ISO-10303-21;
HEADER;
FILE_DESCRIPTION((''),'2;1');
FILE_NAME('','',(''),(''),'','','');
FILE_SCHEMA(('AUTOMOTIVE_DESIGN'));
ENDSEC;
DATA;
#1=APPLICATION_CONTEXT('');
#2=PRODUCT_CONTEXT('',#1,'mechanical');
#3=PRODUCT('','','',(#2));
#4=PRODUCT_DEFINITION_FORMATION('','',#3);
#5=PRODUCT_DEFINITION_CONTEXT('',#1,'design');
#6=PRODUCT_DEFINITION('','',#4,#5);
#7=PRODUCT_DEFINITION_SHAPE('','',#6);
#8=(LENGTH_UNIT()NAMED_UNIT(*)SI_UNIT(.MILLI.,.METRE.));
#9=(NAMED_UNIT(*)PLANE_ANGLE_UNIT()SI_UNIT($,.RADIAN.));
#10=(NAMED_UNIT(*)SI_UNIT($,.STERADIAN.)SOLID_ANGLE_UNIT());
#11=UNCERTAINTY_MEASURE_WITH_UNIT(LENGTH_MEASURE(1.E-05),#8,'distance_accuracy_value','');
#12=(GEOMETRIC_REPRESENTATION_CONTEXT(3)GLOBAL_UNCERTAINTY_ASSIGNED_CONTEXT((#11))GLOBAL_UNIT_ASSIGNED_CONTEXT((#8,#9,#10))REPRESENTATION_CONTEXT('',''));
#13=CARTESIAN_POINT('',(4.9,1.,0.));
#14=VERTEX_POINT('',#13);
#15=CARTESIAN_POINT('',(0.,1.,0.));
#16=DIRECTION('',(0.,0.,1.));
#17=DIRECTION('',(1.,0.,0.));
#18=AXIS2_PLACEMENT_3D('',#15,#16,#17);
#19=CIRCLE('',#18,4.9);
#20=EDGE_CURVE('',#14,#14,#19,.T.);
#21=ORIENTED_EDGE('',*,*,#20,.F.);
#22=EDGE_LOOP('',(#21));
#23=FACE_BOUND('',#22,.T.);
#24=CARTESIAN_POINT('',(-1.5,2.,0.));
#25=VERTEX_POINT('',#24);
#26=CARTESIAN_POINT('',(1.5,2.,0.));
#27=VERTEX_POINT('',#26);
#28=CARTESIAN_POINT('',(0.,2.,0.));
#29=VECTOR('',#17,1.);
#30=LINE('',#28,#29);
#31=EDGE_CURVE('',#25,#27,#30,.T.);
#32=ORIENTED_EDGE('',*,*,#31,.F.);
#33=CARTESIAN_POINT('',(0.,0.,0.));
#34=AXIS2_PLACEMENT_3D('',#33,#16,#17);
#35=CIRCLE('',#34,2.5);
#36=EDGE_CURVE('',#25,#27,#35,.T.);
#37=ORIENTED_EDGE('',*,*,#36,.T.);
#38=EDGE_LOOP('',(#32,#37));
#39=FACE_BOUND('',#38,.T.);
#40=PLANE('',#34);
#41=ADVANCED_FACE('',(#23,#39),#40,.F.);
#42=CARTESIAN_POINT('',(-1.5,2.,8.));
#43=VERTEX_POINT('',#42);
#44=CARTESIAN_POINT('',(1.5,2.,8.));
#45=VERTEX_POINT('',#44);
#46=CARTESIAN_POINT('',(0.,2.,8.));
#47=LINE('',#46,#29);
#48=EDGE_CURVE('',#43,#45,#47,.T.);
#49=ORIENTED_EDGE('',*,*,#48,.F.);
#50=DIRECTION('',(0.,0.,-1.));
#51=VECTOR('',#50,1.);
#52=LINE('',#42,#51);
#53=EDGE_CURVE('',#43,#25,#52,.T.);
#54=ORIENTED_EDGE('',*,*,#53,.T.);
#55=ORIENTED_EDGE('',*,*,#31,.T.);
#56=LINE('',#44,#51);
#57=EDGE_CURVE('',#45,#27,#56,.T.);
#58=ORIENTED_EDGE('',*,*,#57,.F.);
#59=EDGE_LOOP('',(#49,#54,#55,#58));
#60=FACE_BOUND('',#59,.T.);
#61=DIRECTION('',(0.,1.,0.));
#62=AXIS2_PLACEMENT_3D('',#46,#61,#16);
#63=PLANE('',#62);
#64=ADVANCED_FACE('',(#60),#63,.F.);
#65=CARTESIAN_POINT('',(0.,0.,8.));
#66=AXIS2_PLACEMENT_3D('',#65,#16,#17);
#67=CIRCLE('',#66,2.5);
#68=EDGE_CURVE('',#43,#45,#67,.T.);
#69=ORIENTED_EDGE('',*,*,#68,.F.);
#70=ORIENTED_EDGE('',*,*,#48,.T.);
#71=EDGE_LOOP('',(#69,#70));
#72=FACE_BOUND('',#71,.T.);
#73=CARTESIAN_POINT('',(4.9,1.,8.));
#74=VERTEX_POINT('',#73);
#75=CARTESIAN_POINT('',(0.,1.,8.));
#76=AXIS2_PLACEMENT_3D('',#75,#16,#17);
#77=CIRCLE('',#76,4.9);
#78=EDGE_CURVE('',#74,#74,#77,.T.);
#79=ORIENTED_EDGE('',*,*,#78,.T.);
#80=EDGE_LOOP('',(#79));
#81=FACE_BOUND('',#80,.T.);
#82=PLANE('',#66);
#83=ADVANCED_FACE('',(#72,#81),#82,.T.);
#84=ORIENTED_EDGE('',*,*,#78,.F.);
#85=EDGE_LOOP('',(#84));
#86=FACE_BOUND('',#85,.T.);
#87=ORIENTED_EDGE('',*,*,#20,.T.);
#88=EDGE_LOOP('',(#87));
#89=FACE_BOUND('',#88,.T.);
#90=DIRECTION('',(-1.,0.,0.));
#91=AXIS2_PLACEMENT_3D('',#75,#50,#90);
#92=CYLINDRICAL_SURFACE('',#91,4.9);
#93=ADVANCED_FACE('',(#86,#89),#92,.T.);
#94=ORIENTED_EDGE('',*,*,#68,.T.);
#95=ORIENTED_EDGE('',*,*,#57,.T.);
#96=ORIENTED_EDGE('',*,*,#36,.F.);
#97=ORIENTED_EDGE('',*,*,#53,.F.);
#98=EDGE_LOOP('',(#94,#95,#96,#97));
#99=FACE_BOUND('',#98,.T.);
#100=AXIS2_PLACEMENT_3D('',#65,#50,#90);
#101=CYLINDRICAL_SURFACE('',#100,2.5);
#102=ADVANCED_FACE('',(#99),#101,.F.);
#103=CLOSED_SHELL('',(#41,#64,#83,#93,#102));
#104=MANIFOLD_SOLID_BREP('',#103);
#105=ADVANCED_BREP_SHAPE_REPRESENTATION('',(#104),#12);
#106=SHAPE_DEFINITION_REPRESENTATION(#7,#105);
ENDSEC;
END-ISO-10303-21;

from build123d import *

# Parameters (mm, degrees)
ESQUISSE1_R        = 4.9
BOSS_EXTRU_1_DEPTH = 8


with BuildPart() as part:
    # Esquisse1 → Boss.-Extru.1 (new body)
    with BuildSketch(Plane.XY):
        with Locations((0, 1)):
            Circle(ESQUISSE1_R)
        with BuildLine():
            Line((-1.5, 2), (1.5, 2))
            ThreePointArc((1.5, 2), (0, -2.5), (-1.5, 2))
        make_face(mode=Mode.SUBTRACT)
    extrude(amount=BOSS_EXTRU_1_DEPTH)


solid = part.part
